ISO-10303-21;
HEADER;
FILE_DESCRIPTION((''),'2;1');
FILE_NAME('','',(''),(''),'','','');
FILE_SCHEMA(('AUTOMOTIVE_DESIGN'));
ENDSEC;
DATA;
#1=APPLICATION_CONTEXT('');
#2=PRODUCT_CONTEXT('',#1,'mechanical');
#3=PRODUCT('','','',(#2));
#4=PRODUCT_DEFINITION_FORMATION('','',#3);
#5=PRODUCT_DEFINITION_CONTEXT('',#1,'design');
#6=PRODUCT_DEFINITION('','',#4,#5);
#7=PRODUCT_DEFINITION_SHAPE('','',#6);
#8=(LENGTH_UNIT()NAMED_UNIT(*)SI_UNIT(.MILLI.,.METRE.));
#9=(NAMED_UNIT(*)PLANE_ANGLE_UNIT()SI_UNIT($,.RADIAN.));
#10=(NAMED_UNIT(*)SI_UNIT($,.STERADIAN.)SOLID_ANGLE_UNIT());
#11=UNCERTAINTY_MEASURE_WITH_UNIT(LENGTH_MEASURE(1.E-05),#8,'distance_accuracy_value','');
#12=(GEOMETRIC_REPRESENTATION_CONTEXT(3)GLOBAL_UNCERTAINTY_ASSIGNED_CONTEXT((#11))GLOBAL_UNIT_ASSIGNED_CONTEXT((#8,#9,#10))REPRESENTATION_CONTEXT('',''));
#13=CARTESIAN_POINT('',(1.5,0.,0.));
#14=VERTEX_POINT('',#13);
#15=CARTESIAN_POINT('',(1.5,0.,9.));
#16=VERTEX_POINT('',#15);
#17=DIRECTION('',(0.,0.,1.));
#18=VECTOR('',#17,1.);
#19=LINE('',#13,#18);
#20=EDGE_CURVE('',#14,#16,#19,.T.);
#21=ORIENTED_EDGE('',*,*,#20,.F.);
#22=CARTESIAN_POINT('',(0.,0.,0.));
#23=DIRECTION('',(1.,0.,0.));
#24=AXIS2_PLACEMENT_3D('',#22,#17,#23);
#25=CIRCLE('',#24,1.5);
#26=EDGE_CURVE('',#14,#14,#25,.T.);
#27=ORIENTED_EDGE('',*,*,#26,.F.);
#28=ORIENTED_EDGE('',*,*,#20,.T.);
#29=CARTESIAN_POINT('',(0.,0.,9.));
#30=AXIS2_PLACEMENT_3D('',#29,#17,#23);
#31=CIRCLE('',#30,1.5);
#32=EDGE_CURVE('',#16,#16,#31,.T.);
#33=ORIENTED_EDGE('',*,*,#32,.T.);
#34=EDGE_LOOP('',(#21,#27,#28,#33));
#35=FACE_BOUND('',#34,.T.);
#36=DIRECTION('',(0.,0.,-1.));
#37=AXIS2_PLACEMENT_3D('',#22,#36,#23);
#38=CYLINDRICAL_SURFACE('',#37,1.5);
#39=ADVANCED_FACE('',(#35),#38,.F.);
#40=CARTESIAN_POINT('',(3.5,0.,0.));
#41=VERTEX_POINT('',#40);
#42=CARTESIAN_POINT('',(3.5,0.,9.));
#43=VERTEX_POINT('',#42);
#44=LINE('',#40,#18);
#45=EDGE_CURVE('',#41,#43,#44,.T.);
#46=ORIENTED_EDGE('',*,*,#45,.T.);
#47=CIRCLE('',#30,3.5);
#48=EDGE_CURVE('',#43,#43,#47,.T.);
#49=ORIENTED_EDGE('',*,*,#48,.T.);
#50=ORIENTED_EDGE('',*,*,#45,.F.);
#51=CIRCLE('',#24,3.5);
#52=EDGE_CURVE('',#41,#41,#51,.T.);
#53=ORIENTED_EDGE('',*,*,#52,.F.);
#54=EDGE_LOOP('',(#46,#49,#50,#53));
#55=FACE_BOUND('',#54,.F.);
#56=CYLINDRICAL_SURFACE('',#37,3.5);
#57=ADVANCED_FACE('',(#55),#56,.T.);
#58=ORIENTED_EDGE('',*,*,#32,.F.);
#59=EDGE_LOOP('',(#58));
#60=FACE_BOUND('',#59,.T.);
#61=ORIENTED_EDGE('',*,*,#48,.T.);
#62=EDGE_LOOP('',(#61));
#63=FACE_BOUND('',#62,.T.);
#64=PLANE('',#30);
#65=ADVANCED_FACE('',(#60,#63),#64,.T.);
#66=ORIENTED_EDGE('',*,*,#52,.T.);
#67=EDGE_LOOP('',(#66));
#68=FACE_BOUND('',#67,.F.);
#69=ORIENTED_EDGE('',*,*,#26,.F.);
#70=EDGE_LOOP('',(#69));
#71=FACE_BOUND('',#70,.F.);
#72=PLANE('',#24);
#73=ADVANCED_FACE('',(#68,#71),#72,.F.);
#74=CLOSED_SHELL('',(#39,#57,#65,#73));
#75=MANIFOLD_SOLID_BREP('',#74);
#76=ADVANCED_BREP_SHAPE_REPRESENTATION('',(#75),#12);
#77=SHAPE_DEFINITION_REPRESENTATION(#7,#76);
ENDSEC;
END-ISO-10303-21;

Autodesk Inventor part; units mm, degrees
ref_plane "YZ Plane" through (0, 0, 0) normal (1, 0, 0) x (0, 1, 0)
ref_plane "XZ Plane" through (0, 0, 0) normal (0, 1, 0) x (-1, 0, 0)
ref_plane "XY Plane" through (0, 0, 0) normal (0, 0, 1) x (1, 0, 0)
sketch "Sketch1" plane through (0, 0, 0) normal (0, 0, 1) x (1, 0, 0)
  circle A0 centre (0, 0) radius 3.5
  circle A1 centre (0, 0) radius 1.5
  dimension "d0" = 7
  dimension "d1" = 3
extrude "Extrusion1" add sketch "Sketch1" along normal blind 9
equation "\"BendRadius\" = Thickness"
equation "\"BendReliefWidth\" = Thickness"
equation "\"BendReliefDepth\" = 0.5 * Thickness"
equation "\"CornerReliefSize\" = 4 * Thickness"
equation "\"MinimumRemnant\" = 2 * Thickness"
equation "\"TransitionRadius\" = BendRadius"
equation "\"JacobiRadiusSize\" = BendRadius"
equation "\"GapSize\" = Thickness"
equation "\"Thickness\" = 0.5"
properties part number "standoff2" material "PMMA Plastic"
